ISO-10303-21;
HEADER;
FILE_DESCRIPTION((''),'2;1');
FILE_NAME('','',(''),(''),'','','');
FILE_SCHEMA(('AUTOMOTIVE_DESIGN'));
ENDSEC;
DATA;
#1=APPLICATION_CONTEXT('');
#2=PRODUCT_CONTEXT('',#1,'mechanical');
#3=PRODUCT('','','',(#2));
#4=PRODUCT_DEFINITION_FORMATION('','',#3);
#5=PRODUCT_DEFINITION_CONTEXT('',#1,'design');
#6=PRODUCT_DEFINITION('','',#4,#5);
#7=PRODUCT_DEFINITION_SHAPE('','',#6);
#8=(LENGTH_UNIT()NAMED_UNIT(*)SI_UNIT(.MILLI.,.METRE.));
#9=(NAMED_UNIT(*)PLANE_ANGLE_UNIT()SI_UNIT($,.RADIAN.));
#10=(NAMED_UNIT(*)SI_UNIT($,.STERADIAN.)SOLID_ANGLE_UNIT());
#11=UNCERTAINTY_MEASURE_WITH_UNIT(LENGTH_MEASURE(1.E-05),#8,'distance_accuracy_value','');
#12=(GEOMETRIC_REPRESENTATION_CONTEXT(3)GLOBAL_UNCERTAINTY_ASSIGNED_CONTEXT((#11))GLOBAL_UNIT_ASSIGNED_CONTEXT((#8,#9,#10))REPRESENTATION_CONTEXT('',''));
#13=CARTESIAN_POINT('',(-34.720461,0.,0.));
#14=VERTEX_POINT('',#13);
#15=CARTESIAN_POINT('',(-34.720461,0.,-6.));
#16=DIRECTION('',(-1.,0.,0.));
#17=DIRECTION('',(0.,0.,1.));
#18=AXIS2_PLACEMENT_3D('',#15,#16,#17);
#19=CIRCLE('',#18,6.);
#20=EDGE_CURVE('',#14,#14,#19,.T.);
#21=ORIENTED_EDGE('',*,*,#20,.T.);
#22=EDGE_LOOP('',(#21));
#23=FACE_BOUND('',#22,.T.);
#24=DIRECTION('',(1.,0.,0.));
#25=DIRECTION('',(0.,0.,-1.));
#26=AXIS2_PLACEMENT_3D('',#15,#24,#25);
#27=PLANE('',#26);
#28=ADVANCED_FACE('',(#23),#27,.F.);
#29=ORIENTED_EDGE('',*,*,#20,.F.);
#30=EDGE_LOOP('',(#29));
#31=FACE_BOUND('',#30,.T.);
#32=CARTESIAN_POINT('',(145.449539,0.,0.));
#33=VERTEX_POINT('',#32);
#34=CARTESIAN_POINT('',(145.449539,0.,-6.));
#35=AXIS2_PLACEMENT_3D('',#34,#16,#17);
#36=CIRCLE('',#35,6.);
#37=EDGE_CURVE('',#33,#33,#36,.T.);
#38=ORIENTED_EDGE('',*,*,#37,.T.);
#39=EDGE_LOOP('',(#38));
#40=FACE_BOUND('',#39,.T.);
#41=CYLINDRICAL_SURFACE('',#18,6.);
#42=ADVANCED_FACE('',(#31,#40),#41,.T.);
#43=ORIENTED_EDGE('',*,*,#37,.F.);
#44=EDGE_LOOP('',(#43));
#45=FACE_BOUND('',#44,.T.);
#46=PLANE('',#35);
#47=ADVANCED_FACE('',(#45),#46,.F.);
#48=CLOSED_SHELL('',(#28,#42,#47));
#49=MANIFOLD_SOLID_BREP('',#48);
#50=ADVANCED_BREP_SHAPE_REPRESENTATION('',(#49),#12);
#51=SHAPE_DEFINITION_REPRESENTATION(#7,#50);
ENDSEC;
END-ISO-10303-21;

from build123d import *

# Parameters (mm, degrees)
SKETCH1_W = 180.17
SKETCH1_H = 6


with BuildPart() as part:
    # Sketch1 → Revolve1 (revolve)
    with BuildSketch(Plane(origin=(0, 0, 0), x_dir=(1, 0, 0), z_dir=(0, 1, 0))):
        with Locations((55.364538905, 9)):
            Rectangle(SKETCH1_W, SKETCH1_H)
    revolve(axis=Axis((-34.720461095, 0, -6), (1, 0, 0)))


solid = part.part
